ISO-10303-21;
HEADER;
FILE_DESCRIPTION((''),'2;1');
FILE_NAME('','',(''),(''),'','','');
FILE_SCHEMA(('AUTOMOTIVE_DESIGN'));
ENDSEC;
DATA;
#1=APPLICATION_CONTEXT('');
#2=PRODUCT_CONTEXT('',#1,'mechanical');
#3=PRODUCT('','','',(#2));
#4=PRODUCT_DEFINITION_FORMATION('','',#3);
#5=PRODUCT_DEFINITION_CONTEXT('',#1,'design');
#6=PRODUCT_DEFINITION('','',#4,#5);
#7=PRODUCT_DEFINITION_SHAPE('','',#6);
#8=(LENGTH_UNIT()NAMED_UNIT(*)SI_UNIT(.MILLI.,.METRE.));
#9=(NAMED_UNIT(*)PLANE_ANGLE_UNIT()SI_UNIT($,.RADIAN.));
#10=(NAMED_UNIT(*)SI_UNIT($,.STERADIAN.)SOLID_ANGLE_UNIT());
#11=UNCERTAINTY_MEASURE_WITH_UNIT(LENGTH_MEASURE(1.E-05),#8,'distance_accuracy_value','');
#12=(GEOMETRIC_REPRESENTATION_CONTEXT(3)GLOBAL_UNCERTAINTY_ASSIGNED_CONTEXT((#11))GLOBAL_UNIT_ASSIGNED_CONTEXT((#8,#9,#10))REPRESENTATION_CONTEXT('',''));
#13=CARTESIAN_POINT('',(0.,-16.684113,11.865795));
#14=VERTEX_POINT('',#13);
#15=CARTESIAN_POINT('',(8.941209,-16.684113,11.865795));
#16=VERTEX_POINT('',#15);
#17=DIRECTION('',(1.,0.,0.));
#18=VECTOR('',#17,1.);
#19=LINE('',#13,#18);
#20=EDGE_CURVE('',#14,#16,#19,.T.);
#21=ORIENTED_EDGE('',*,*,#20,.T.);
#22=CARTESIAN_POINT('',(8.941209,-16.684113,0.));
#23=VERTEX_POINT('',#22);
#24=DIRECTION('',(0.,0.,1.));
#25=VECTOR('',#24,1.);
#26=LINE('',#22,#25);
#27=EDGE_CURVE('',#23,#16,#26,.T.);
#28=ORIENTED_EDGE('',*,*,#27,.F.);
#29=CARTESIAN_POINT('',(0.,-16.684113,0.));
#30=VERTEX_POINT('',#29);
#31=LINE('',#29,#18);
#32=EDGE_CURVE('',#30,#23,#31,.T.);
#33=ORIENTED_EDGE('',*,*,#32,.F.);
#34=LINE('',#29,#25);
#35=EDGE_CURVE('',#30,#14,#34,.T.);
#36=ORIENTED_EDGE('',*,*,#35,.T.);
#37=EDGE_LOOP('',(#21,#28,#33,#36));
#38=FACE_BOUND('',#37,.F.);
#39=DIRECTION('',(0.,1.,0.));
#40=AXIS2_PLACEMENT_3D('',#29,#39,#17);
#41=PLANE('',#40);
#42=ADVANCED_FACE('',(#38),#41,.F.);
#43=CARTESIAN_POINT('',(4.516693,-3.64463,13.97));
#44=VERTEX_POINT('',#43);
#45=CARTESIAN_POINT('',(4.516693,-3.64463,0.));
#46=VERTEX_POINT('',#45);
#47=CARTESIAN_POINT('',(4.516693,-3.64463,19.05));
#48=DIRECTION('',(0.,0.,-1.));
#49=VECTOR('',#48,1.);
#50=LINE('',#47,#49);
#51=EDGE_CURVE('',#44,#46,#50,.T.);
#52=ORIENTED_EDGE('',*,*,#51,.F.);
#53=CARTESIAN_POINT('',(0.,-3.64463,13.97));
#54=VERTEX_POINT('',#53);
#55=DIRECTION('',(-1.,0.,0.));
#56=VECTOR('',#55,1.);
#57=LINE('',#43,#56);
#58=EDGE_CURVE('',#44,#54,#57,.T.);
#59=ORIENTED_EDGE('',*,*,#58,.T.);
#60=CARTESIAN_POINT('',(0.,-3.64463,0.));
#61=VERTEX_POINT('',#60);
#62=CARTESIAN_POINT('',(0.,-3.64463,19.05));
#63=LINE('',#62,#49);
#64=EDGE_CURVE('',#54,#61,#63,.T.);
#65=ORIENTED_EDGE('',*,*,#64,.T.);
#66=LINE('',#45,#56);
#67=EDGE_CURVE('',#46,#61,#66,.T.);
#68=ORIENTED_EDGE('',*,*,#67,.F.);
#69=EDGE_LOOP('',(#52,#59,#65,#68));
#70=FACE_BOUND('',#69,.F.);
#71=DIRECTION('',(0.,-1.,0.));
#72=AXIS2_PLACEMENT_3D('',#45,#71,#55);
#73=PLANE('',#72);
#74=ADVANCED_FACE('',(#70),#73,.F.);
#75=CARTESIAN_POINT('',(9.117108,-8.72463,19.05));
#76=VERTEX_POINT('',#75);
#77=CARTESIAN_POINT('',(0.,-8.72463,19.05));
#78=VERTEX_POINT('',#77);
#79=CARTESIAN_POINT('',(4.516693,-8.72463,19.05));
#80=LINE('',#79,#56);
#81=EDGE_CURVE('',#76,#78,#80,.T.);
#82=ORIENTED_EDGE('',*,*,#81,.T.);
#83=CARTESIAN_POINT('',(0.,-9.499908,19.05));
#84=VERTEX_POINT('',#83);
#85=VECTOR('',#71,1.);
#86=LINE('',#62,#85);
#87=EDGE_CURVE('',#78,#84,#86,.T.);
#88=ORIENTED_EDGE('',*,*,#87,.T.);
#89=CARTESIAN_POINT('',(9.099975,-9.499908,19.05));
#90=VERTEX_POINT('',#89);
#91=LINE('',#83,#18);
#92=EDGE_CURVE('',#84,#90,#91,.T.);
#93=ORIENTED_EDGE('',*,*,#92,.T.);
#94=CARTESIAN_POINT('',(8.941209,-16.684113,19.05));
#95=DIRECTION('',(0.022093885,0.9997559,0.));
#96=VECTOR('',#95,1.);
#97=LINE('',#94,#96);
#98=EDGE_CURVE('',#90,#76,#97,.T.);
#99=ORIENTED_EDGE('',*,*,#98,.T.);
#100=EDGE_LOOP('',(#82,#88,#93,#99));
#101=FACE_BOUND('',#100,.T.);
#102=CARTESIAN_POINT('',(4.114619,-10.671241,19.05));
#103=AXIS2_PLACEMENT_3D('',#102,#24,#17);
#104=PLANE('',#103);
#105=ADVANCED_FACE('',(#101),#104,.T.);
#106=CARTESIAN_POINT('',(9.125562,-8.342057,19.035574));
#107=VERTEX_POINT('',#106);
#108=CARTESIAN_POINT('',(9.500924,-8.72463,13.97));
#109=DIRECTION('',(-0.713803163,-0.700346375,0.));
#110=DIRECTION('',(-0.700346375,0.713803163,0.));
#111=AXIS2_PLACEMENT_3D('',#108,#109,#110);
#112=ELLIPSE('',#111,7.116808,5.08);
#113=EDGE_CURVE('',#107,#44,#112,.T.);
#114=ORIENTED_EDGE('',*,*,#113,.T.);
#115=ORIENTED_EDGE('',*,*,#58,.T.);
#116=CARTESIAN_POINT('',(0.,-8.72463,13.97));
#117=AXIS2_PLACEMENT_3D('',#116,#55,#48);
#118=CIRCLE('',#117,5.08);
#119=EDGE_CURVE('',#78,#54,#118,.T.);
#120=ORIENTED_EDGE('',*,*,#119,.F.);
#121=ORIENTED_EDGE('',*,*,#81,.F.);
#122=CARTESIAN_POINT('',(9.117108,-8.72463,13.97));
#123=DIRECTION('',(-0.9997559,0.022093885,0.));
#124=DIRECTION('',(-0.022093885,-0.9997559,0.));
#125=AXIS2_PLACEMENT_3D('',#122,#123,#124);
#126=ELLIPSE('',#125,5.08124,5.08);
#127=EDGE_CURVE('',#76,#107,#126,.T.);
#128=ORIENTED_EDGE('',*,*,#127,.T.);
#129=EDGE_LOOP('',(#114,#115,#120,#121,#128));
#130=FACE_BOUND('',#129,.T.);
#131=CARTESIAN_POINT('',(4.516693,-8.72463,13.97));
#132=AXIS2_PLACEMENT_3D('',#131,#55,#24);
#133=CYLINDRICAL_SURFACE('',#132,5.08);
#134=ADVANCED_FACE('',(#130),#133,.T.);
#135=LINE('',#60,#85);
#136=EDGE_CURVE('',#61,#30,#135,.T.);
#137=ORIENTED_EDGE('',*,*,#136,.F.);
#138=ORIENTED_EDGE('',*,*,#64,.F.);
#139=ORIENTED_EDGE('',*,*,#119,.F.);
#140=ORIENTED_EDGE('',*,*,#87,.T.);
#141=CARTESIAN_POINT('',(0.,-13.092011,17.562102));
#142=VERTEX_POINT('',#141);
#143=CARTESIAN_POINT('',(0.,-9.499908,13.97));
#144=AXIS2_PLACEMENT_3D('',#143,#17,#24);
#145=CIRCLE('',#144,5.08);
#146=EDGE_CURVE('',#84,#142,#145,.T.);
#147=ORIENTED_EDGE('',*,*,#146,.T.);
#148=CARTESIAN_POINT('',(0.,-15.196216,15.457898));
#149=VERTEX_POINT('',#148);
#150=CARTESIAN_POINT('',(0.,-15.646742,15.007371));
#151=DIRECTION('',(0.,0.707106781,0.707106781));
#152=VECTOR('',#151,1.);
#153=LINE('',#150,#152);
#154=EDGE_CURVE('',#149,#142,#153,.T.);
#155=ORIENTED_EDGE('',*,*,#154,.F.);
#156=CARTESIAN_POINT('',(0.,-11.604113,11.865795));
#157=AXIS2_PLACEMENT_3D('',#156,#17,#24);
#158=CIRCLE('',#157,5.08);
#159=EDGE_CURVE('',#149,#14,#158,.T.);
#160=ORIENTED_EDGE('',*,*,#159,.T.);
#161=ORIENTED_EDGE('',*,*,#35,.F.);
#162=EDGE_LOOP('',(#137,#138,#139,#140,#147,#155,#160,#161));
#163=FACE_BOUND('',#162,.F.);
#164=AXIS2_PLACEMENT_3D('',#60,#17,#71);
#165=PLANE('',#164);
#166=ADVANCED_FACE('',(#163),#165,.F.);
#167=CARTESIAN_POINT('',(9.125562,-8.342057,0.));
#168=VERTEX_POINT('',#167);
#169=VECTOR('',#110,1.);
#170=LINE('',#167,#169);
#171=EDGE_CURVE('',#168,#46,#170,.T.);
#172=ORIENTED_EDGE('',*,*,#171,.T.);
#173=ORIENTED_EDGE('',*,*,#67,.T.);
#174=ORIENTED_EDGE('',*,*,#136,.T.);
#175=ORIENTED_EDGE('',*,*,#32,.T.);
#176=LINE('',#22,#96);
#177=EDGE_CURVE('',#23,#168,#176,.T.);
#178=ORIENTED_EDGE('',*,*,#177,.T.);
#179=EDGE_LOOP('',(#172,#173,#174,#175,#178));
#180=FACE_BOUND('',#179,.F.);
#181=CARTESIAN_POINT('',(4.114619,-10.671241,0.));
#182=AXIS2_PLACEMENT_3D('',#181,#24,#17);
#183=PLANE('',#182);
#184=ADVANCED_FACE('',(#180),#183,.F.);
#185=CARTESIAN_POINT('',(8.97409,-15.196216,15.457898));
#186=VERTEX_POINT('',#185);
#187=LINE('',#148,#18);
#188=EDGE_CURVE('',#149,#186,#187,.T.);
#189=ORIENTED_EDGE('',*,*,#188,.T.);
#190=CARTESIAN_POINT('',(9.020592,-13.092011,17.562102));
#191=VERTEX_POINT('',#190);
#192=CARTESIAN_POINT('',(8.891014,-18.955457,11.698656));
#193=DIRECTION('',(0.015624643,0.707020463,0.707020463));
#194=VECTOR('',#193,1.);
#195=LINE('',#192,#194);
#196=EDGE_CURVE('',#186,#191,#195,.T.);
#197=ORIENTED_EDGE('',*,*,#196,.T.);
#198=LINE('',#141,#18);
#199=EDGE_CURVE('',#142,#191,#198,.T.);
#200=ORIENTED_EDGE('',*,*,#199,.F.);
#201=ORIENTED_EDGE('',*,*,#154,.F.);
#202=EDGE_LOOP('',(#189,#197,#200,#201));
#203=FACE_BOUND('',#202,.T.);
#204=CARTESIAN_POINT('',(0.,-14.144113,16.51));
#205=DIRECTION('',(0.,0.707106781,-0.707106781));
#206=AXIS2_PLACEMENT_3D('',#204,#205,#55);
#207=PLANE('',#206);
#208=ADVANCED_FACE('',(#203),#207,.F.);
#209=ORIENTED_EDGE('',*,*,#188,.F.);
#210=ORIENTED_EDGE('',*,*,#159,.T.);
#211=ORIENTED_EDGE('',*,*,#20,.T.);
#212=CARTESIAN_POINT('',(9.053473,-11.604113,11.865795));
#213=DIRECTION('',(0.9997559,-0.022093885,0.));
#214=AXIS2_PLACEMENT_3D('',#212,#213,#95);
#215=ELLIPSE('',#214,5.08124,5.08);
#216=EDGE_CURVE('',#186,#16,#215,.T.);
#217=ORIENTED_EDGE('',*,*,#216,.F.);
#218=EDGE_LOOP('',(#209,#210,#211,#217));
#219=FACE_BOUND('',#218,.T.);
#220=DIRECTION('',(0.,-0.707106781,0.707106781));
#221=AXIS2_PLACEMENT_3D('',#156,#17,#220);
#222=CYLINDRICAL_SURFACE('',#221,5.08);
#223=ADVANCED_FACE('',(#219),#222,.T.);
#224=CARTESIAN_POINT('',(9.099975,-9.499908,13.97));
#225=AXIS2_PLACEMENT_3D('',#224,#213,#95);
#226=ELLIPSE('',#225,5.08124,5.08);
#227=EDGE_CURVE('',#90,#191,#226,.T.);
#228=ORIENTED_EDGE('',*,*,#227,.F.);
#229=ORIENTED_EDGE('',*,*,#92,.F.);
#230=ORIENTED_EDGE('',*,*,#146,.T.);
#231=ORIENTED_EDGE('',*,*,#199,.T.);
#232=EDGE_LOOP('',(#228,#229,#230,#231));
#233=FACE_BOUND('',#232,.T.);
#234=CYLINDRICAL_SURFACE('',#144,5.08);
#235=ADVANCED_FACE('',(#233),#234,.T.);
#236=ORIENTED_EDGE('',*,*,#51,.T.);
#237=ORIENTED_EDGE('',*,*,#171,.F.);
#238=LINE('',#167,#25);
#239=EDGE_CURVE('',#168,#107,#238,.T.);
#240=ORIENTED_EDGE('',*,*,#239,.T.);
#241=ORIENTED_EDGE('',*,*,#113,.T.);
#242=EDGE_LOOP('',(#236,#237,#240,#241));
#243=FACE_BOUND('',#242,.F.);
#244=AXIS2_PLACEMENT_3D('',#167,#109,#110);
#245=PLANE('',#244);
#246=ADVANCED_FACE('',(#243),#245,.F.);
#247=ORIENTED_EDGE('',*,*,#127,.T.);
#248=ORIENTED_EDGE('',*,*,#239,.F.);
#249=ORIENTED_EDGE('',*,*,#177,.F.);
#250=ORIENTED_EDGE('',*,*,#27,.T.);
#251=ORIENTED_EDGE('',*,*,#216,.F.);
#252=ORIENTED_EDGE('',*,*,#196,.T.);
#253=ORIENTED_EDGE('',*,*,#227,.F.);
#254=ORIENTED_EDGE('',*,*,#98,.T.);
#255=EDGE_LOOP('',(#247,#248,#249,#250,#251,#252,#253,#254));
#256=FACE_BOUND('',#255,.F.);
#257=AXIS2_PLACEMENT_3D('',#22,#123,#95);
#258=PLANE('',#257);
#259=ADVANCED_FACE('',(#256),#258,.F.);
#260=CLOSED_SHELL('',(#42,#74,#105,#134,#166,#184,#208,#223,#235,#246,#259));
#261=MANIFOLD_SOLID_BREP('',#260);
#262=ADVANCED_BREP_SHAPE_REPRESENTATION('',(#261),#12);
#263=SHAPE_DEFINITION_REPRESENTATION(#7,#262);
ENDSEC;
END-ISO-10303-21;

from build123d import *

# Parameters (mm, degrees)
F1_DEPTH = 19.05
F2_DEPTH = 12.7
F3_SIZE  = 5.08
F4_R     = 5.08


with BuildPart() as f1:
    # F0 (on Top) → F1 (new body)
    with BuildSketch(Plane.XY):
        Polygon((1.9531995618, -3.6446304457), (0, -3.6446304457), (0, -16.6841130704), (8.9412089437, -16.6841130704), (9.1255623847, -8.3420565352), (4.5166932978, -3.6446304457), align=None)
    extrude(amount=F1_DEPTH)

    # F0 (on Top) → F2 (join)
    with BuildSketch(Plane.XY):
        Polygon((1.9531995618, -3.6446304457), (0, -3.6446304457), (0, -16.6841130704), (8.9412089437, -16.6841130704), (9.1255623847, -8.3420565352), (4.5166932978, -3.6446304457), align=None)
    extrude(amount=F2_DEPTH)

    # F3
    f3_edges = [f1.edges().sort_by_distance(p)[0] for p in [
        (4.470604, -16.684113, 19.05),
    ]]
    chamfer(f3_edges, length=F3_SIZE)

    # F4
    f4_edges = [f1.edges().sort_by_distance(p)[0] for p in [
        (4.526737, -11.604113, 19.05),
        (4.470604, -16.684113, 13.97),
        (2.258347, -3.64463, 19.05),
    ]]
    fillet(f4_edges, radius=F4_R)


solid = f1.part
